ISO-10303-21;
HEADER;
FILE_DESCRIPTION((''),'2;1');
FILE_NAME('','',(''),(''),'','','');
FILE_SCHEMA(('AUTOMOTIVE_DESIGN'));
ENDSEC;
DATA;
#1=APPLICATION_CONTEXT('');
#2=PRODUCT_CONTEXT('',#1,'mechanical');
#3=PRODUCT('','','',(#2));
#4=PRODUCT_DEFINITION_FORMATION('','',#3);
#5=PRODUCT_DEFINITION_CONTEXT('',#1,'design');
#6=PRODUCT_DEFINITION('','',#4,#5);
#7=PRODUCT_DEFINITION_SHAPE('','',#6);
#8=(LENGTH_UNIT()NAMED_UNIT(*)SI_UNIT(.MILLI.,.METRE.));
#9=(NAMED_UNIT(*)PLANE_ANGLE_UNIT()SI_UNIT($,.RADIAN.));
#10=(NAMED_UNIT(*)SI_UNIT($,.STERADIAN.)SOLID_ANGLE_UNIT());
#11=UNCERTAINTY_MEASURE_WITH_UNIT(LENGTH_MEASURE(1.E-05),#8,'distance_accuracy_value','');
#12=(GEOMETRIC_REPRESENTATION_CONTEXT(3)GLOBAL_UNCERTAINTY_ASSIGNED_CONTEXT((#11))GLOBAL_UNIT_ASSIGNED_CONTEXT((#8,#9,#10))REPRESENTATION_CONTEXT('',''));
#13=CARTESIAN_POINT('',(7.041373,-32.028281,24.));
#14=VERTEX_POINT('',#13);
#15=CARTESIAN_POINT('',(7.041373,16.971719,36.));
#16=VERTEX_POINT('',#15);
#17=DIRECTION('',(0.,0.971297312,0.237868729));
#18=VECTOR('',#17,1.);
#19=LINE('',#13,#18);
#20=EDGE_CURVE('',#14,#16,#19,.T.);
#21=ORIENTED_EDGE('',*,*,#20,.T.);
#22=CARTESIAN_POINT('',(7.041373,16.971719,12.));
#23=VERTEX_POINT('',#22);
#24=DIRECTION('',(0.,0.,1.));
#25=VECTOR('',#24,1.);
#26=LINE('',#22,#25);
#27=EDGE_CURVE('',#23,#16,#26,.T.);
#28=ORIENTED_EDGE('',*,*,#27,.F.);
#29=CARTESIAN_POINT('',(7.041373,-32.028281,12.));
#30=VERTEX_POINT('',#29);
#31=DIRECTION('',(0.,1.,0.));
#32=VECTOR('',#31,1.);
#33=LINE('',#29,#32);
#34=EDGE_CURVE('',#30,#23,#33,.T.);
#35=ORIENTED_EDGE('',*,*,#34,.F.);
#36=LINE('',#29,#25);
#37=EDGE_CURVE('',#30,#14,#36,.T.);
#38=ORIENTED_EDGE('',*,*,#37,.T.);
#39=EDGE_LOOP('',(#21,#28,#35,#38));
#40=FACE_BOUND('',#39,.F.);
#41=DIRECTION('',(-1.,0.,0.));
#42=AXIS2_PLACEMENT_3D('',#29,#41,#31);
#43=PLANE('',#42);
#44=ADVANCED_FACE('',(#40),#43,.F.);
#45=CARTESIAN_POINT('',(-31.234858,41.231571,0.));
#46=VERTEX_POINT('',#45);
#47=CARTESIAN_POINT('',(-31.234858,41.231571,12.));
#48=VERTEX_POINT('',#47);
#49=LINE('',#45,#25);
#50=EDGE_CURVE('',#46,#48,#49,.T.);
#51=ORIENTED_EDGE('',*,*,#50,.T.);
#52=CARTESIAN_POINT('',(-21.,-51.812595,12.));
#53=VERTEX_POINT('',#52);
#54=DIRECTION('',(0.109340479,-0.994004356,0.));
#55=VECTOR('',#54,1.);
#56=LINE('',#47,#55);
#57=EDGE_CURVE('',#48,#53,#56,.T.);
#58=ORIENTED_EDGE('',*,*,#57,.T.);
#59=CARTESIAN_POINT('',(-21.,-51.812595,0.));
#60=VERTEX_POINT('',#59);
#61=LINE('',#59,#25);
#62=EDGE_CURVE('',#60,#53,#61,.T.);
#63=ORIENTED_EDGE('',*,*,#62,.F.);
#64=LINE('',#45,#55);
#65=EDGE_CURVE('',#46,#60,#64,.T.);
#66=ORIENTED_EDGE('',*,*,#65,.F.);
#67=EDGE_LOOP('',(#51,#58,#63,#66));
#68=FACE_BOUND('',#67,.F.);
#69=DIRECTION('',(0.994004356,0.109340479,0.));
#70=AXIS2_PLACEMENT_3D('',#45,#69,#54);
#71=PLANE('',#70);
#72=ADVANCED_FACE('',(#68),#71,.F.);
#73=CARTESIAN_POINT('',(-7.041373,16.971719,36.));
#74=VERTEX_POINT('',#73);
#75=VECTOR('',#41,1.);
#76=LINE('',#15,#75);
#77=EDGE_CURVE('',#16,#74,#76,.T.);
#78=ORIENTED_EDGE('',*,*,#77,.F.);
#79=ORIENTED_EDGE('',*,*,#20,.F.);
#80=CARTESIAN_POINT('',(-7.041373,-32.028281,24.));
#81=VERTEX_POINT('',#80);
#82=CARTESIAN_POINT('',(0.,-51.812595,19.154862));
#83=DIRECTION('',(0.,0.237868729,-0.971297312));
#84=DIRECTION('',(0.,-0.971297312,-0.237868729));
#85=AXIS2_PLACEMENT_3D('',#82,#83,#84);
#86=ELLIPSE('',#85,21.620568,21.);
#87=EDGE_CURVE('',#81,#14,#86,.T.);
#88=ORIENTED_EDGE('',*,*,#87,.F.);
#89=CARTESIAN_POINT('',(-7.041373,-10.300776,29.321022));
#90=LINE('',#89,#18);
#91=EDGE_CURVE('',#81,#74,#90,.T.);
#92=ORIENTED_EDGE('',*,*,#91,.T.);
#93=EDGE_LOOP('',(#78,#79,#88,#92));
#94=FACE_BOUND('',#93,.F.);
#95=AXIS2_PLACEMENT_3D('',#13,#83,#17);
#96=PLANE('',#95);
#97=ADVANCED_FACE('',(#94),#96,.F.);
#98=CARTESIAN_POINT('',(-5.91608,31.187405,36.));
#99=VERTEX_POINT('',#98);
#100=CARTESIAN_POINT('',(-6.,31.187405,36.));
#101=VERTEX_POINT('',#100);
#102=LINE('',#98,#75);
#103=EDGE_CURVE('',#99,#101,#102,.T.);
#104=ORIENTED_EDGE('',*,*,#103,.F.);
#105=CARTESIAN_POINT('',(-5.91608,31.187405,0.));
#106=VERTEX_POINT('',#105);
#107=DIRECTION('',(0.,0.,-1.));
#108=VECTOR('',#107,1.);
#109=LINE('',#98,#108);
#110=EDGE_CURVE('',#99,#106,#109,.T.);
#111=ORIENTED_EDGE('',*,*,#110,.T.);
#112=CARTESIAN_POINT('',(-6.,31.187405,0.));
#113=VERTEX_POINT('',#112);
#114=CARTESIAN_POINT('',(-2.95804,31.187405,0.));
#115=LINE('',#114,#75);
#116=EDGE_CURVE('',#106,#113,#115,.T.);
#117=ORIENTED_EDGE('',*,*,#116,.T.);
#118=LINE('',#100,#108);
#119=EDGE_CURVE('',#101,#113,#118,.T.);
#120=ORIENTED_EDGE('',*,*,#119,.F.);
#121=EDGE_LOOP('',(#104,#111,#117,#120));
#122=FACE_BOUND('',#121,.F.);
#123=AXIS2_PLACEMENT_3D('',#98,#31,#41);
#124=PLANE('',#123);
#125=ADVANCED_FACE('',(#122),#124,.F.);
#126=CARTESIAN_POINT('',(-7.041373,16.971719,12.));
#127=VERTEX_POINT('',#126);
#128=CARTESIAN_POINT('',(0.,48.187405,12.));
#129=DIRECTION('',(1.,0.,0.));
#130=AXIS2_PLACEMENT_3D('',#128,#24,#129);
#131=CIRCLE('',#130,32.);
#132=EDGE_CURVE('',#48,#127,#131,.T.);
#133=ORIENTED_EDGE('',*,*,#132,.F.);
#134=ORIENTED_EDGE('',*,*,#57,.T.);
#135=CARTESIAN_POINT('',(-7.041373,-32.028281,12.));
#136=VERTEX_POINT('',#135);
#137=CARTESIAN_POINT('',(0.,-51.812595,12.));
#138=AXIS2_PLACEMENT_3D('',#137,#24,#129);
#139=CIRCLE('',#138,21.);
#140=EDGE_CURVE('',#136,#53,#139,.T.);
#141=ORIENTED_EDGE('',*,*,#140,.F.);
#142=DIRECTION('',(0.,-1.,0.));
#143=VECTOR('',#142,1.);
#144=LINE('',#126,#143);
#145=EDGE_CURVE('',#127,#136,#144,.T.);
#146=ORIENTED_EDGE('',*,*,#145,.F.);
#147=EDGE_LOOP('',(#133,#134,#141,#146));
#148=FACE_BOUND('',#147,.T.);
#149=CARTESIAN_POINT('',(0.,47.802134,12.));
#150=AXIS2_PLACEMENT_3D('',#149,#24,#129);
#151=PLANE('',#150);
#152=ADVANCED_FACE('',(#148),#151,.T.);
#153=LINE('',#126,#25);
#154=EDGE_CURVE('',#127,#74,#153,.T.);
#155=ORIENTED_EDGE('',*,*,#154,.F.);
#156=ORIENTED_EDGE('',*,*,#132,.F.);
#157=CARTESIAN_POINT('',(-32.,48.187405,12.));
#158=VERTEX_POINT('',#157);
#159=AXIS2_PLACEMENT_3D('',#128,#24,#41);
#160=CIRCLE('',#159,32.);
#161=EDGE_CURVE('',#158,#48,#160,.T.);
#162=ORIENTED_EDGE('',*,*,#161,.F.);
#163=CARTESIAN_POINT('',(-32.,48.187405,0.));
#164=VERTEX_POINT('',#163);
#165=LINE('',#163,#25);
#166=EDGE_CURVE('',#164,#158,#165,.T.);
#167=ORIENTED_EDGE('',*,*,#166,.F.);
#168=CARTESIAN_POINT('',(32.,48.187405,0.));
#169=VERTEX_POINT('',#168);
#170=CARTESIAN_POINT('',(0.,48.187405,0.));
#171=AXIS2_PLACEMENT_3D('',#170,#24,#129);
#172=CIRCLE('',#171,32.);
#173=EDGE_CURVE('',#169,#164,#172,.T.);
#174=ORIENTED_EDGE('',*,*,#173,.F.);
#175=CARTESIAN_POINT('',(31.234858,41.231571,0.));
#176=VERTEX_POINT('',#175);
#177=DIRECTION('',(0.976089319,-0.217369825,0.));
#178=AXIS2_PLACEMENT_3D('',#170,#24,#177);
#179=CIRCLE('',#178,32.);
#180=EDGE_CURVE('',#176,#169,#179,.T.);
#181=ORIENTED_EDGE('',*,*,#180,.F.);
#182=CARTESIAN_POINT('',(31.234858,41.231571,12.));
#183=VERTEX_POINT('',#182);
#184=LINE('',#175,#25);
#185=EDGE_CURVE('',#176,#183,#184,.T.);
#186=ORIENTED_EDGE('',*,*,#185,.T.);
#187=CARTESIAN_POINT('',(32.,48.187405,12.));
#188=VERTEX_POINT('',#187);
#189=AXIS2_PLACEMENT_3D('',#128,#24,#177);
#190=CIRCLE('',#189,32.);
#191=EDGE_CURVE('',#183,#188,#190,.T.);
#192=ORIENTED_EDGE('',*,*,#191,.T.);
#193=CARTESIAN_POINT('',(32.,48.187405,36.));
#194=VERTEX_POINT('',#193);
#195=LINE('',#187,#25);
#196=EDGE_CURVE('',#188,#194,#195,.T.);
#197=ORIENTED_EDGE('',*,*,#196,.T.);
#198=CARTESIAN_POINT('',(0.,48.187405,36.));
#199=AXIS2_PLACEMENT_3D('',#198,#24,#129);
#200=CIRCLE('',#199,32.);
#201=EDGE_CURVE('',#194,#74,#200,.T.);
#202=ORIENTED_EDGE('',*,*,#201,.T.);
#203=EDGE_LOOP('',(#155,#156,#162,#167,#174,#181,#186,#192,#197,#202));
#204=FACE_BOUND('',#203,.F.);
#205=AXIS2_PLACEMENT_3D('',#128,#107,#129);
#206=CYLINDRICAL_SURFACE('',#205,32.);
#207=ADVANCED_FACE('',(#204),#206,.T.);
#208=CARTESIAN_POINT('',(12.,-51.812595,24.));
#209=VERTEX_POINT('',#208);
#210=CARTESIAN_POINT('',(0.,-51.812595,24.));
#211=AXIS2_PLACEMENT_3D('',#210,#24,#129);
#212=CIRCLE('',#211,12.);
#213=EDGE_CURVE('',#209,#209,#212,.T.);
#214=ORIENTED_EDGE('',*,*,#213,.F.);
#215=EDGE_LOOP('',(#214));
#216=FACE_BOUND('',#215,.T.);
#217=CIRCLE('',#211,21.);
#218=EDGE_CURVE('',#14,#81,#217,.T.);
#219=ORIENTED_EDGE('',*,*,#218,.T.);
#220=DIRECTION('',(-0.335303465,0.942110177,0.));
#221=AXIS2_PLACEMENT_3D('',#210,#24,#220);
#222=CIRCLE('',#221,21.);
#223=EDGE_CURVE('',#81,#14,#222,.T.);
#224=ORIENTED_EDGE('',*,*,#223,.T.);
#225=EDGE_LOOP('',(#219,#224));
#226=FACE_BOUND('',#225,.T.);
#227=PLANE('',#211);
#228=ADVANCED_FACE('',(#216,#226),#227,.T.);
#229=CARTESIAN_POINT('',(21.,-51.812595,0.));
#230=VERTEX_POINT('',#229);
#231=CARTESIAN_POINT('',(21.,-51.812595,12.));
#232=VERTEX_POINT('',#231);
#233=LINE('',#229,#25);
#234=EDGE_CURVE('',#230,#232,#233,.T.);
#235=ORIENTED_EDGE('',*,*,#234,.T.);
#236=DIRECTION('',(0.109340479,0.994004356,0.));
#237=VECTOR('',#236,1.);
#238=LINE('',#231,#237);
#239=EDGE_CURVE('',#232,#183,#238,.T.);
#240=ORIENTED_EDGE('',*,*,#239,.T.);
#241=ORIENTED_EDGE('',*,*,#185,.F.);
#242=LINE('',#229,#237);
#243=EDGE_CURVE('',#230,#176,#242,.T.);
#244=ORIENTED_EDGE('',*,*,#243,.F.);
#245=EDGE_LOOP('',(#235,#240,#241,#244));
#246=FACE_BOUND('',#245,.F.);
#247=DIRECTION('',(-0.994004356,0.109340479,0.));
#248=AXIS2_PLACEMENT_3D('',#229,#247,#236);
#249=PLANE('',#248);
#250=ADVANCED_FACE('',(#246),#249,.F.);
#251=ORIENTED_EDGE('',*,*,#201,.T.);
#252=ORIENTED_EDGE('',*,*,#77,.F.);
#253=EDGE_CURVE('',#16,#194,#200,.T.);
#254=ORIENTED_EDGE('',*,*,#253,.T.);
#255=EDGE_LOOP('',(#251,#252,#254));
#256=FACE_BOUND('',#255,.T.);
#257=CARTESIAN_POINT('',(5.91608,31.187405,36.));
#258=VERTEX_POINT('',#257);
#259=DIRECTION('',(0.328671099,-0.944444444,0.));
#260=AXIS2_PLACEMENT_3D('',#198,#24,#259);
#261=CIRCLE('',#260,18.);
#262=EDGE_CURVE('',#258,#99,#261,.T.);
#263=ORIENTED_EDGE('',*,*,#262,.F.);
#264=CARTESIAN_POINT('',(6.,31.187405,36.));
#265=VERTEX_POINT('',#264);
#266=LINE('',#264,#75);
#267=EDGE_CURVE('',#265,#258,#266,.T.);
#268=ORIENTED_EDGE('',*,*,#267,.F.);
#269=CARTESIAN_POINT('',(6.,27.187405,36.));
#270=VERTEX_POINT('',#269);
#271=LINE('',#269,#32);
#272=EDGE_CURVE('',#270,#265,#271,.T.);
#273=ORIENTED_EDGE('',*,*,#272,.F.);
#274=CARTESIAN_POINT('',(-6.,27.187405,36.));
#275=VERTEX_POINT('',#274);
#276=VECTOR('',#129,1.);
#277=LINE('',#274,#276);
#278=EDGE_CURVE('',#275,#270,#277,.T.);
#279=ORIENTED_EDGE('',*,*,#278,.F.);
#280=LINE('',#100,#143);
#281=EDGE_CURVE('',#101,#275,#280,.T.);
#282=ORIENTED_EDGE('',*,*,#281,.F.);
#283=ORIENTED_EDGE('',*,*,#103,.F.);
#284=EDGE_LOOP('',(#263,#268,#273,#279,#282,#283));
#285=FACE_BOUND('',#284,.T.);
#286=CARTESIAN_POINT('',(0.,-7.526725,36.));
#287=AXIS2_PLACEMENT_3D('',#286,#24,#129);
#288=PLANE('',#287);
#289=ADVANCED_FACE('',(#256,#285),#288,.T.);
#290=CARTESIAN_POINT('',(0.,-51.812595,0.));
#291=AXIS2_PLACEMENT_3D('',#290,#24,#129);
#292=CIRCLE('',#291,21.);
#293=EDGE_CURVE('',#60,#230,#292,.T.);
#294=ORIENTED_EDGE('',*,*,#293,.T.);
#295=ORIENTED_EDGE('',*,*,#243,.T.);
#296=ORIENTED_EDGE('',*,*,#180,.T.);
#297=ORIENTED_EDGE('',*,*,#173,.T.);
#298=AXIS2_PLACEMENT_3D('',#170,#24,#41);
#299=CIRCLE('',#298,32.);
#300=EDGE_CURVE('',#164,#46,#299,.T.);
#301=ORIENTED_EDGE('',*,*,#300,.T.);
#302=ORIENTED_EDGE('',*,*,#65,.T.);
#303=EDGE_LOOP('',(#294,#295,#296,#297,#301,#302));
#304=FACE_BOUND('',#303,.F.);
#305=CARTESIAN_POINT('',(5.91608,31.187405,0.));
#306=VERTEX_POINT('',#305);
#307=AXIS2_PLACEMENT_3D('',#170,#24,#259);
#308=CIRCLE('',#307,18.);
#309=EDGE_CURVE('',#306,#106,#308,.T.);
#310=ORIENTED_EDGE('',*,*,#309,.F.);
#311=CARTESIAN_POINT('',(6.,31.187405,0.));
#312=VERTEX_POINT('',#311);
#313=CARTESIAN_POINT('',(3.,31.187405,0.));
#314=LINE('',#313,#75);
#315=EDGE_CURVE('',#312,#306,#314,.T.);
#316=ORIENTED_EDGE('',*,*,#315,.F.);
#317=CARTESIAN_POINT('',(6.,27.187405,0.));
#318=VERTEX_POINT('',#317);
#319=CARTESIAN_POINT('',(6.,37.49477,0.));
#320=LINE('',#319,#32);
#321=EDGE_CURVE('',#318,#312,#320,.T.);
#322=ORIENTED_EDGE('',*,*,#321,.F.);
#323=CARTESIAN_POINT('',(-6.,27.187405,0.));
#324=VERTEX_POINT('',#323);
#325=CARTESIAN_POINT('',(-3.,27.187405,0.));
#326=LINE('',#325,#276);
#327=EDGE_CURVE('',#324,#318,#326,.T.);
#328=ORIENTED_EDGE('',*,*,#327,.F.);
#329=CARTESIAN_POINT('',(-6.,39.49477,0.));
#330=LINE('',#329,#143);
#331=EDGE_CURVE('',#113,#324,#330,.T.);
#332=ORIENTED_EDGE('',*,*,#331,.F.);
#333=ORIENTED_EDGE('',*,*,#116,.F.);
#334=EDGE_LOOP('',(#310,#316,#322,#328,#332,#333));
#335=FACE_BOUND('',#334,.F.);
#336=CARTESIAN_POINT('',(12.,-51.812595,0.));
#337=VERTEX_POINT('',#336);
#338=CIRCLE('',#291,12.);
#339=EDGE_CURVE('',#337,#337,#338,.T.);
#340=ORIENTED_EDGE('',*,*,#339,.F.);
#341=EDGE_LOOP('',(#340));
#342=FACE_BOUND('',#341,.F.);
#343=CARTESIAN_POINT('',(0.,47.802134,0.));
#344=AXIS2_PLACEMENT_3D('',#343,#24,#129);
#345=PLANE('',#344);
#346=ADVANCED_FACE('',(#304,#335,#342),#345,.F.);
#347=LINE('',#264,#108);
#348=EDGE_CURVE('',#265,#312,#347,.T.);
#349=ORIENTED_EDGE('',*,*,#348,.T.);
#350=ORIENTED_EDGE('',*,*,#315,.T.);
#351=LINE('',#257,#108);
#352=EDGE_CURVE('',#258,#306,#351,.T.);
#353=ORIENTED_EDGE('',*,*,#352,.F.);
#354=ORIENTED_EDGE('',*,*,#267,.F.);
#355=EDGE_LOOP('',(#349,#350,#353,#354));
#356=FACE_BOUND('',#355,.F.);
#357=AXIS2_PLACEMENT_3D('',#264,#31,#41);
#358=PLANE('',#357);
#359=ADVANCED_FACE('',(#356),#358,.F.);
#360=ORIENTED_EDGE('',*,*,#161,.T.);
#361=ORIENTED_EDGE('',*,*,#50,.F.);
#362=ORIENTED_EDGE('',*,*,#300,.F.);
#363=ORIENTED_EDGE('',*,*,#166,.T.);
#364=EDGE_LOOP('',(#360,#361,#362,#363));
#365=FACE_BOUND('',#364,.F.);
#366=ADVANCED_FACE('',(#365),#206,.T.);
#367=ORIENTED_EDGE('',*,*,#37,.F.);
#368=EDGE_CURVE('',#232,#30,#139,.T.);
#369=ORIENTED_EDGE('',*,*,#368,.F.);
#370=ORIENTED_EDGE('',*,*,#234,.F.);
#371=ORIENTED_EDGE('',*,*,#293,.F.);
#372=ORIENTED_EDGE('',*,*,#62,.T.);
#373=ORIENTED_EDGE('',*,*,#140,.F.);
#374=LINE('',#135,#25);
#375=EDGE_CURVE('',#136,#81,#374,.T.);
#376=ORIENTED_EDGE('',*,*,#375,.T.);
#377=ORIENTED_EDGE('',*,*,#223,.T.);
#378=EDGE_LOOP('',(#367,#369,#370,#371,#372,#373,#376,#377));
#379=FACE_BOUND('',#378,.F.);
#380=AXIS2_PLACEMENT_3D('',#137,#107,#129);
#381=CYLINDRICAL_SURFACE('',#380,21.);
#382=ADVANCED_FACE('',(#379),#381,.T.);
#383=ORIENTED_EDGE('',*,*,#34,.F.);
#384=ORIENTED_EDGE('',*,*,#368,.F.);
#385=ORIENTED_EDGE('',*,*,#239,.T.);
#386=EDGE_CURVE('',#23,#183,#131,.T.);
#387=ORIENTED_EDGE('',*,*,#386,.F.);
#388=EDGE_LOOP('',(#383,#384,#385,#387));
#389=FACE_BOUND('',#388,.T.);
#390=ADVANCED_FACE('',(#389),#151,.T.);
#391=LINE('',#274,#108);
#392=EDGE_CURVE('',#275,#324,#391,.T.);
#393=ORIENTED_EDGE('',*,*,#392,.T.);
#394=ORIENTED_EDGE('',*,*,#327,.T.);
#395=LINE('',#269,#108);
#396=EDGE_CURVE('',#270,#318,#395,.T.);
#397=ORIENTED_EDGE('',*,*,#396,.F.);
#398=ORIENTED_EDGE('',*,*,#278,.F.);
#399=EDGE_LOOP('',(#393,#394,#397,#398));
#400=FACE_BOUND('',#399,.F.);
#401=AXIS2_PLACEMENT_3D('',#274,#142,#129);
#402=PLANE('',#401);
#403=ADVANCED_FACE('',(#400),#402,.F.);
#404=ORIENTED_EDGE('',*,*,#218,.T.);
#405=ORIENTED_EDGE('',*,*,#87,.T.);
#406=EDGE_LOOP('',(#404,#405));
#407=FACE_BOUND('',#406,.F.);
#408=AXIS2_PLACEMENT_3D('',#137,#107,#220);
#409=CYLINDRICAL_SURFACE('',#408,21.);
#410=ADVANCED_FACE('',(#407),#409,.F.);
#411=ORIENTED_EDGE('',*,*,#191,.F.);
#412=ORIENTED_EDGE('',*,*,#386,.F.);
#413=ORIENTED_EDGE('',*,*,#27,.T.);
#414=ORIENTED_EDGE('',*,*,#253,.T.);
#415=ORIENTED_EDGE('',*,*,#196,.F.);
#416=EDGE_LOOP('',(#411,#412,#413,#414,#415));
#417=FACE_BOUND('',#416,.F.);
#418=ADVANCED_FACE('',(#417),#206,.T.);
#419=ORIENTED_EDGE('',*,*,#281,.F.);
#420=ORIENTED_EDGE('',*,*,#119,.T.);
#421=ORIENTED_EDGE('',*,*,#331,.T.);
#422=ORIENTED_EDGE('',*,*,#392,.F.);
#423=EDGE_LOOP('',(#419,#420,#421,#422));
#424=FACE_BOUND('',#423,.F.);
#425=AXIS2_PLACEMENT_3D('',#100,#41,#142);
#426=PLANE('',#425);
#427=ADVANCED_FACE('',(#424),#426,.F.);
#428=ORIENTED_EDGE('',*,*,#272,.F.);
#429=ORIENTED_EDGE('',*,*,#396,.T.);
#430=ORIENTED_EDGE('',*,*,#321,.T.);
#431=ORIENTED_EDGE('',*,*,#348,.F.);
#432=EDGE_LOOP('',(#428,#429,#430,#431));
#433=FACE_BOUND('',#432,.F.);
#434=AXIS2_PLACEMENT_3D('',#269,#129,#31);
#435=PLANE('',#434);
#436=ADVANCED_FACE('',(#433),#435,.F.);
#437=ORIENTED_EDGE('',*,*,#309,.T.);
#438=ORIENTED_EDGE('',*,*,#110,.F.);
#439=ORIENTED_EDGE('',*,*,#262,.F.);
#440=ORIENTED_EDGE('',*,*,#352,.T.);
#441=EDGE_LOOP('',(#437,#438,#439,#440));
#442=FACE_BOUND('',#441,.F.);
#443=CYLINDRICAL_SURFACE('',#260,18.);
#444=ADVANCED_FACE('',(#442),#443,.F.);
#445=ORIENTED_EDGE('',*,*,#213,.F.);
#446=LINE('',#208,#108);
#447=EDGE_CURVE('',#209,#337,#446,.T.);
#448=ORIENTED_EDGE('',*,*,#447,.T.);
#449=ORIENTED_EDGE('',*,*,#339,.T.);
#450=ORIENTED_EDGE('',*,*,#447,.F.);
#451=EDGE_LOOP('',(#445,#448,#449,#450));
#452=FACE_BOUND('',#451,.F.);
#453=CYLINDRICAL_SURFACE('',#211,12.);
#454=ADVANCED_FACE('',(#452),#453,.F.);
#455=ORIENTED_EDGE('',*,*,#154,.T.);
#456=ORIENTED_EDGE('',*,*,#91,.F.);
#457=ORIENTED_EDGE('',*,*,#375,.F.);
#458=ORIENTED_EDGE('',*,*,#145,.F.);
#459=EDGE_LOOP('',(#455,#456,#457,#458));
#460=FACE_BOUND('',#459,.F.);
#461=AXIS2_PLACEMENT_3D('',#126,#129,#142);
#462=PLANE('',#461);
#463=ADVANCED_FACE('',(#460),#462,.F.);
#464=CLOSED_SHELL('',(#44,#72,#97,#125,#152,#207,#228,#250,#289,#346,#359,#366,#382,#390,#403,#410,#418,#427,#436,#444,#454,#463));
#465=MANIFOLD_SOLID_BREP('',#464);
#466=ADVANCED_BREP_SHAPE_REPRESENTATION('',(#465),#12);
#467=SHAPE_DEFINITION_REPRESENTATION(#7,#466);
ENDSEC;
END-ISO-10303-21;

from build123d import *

# Parameters (mm, degrees)
F0_R      = 9.477436644
F1_DEPTH  = 12
F2_R      = 32
F3_DEPTH  = 24
F4_R      = 21
F5_DEPTH  = 12
F7_DEPTH  = 36.001
F8_R      = 12
F9_DEPTH  = 24.001
F11_DEPTH = 24
F13_DEPTH = 25


with BuildPart() as f1:
    # F0 (on Top) → F1 (new body)
    with BuildSketch(Plane.XY):
        with BuildLine():
            ThreePointArc((-31.2348582156, 41.2315710582), (0, 16.187405462), (31.2348582156, 41.2315710582))
            Line((31.2348582156, 41.2315710582), (32, 48.187405462))
            ThreePointArc((32, 48.187405462), (0, 80.187405462), (-32, 48.187405462))
            Line((-32, 48.187405462), (-31.2348582156, 41.2315710582))
        make_face()
        with BuildLine():
            ThreePointArc((-6, 31.2168427135), (-10.3923048454, 62.8843439187), (18, 48.187405462))
            ThreePointArc((18, 48.187405462), (14.6969384567, 37.7951006165), (6, 31.2168427135))
            Line((6, 31.2168427135), (6, 28.187405462))
            Line((6, 28.187405462), (-6, 28.187405462))
            Line((-6, 28.187405462), (-6, 31.2168427135))
        make_face(mode=Mode.SUBTRACT)
        with BuildLine():
            ThreePointArc((-21, -51.812594538), (0, -30.812594538), (21, -51.812594538))
            Line((21, -51.812594538), (31.2348582156, 41.2315710582))
            ThreePointArc((31.2348582156, 41.2315710582), (0, 16.187405462), (-31.2348582156, 41.2315710582))
            Line((-31.2348582156, 41.2315710582), (-21, -51.812594538))
        make_face()
        with BuildLine():
            ThreePointArc((-21, -51.812594538), (0, -72.812594538), (21, -51.812594538))
            ThreePointArc((21, -51.812594538), (0, -30.812594538), (-21, -51.812594538))
        make_face()
        with Locations((0, -51.812594538)):
            Circle(F0_R, mode=Mode.SUBTRACT)
        with BuildLine():
            ThreePointArc((6, 31.2168427135), (14.6969384567, 37.7951006165), (18, 48.187405462))
            ThreePointArc((18, 48.187405462), (-10.3923048454, 62.8843439187), (-6, 31.2168427135))
            ThreePointArc((-6, 31.2168427135), (0, 30.187405462), (6, 31.2168427135))
        make_face()
        with Locations((0, -51.812594538)):
            Circle(F0_R)
        with BuildLine():
            ThreePointArc((6, 31.2168427135), (0, 30.187405462), (-6, 31.2168427135))
            Line((-6, 31.2168427135), (-6, 28.187405462))
            Line((-6, 28.187405462), (6, 28.187405462))
            Line((6, 28.187405462), (6, 31.2168427135))
        make_face()
        with BuildLine():
            ThreePointArc((-32, 48.187405462), (-31.8081393899, 44.6885101291), (-31.2348582156, 41.2315710582))
            Line((-31.2348582156, 41.2315710582), (-32, 48.187405462))
        make_face()
        with BuildLine():
            Line((32, 48.187405462), (31.2348582156, 41.2315710582))
            ThreePointArc((31.2348582156, 41.2315710582), (31.8081393899, 44.6885101291), (32, 48.187405462))
        make_face()
    extrude(amount=F1_DEPTH)

    # F2 (on face) → F3 (join)
    with BuildSketch(Plane.XY.offset(12)):
        with Locations((0, 48.187405462)):
            Circle(F2_R)
    extrude(amount=F3_DEPTH)

    # F4 (on face) → F5 (join)
    with BuildSketch(Plane.XY.offset(12)):
        with Locations((0, -51.812594538)):
            Circle(F4_R)
    extrude(amount=F5_DEPTH)

    # F6 (on face) → F7 (cut, through all)
    with BuildSketch(Plane.XY.offset(36)):
        with BuildLine():
            Line((6, 31.187405462), (5.9160797831, 31.187405462))
            ThreePointArc((5.9160797831, 31.187405462), (0, 66.187405462), (-5.9160797831, 31.187405462))
            Line((-5.9160797831, 31.187405462), (-6, 31.187405462))
            Line((-6, 31.187405462), (-6, 27.187405462))
            Line((-6, 27.187405462), (6, 27.187405462))
            Line((6, 27.187405462), (6, 31.187405462))
        make_face()
    extrude(amount=-F7_DEPTH, mode=Mode.SUBTRACT)

    # F8 (on face) → F9 (cut, through all)
    with BuildSketch(Plane.XY.offset(24)):
        with Locations((0, -51.812594538)):
            Circle(F8_R)
    extrude(amount=-F9_DEPTH, mode=Mode.SUBTRACT)

    # F10 (on face) → F11 (join)
    with BuildSketch(Plane.XY.offset(12)):
        with BuildLine():
            ThreePointArc((-7.0413727647, -32.0282808126), (0, -30.812594538), (7.0413727647, -32.0282808126))
            Line((7.0413727647, -32.0282808126), (7.0413727647, 16.9717191874))
            ThreePointArc((7.0413727647, 16.9717191874), (0, 16.187405462), (-7.0413727647, 16.9717191874))
            Line((-7.0413727647, 16.9717191874), (-7.0413727647, -32.0282808126))
        make_face()
    extrude(amount=F11_DEPTH)

    # F12 (on face) → F13 (cut)
    with BuildSketch(Plane.YZ.offset(7.0413727647)):
        Polygon((-32.0282808126, 36), (-32.0282808126, 24), (16.9717191874, 36), align=None)
    extrude(amount=-F13_DEPTH, mode=Mode.SUBTRACT)


solid = f1.part
